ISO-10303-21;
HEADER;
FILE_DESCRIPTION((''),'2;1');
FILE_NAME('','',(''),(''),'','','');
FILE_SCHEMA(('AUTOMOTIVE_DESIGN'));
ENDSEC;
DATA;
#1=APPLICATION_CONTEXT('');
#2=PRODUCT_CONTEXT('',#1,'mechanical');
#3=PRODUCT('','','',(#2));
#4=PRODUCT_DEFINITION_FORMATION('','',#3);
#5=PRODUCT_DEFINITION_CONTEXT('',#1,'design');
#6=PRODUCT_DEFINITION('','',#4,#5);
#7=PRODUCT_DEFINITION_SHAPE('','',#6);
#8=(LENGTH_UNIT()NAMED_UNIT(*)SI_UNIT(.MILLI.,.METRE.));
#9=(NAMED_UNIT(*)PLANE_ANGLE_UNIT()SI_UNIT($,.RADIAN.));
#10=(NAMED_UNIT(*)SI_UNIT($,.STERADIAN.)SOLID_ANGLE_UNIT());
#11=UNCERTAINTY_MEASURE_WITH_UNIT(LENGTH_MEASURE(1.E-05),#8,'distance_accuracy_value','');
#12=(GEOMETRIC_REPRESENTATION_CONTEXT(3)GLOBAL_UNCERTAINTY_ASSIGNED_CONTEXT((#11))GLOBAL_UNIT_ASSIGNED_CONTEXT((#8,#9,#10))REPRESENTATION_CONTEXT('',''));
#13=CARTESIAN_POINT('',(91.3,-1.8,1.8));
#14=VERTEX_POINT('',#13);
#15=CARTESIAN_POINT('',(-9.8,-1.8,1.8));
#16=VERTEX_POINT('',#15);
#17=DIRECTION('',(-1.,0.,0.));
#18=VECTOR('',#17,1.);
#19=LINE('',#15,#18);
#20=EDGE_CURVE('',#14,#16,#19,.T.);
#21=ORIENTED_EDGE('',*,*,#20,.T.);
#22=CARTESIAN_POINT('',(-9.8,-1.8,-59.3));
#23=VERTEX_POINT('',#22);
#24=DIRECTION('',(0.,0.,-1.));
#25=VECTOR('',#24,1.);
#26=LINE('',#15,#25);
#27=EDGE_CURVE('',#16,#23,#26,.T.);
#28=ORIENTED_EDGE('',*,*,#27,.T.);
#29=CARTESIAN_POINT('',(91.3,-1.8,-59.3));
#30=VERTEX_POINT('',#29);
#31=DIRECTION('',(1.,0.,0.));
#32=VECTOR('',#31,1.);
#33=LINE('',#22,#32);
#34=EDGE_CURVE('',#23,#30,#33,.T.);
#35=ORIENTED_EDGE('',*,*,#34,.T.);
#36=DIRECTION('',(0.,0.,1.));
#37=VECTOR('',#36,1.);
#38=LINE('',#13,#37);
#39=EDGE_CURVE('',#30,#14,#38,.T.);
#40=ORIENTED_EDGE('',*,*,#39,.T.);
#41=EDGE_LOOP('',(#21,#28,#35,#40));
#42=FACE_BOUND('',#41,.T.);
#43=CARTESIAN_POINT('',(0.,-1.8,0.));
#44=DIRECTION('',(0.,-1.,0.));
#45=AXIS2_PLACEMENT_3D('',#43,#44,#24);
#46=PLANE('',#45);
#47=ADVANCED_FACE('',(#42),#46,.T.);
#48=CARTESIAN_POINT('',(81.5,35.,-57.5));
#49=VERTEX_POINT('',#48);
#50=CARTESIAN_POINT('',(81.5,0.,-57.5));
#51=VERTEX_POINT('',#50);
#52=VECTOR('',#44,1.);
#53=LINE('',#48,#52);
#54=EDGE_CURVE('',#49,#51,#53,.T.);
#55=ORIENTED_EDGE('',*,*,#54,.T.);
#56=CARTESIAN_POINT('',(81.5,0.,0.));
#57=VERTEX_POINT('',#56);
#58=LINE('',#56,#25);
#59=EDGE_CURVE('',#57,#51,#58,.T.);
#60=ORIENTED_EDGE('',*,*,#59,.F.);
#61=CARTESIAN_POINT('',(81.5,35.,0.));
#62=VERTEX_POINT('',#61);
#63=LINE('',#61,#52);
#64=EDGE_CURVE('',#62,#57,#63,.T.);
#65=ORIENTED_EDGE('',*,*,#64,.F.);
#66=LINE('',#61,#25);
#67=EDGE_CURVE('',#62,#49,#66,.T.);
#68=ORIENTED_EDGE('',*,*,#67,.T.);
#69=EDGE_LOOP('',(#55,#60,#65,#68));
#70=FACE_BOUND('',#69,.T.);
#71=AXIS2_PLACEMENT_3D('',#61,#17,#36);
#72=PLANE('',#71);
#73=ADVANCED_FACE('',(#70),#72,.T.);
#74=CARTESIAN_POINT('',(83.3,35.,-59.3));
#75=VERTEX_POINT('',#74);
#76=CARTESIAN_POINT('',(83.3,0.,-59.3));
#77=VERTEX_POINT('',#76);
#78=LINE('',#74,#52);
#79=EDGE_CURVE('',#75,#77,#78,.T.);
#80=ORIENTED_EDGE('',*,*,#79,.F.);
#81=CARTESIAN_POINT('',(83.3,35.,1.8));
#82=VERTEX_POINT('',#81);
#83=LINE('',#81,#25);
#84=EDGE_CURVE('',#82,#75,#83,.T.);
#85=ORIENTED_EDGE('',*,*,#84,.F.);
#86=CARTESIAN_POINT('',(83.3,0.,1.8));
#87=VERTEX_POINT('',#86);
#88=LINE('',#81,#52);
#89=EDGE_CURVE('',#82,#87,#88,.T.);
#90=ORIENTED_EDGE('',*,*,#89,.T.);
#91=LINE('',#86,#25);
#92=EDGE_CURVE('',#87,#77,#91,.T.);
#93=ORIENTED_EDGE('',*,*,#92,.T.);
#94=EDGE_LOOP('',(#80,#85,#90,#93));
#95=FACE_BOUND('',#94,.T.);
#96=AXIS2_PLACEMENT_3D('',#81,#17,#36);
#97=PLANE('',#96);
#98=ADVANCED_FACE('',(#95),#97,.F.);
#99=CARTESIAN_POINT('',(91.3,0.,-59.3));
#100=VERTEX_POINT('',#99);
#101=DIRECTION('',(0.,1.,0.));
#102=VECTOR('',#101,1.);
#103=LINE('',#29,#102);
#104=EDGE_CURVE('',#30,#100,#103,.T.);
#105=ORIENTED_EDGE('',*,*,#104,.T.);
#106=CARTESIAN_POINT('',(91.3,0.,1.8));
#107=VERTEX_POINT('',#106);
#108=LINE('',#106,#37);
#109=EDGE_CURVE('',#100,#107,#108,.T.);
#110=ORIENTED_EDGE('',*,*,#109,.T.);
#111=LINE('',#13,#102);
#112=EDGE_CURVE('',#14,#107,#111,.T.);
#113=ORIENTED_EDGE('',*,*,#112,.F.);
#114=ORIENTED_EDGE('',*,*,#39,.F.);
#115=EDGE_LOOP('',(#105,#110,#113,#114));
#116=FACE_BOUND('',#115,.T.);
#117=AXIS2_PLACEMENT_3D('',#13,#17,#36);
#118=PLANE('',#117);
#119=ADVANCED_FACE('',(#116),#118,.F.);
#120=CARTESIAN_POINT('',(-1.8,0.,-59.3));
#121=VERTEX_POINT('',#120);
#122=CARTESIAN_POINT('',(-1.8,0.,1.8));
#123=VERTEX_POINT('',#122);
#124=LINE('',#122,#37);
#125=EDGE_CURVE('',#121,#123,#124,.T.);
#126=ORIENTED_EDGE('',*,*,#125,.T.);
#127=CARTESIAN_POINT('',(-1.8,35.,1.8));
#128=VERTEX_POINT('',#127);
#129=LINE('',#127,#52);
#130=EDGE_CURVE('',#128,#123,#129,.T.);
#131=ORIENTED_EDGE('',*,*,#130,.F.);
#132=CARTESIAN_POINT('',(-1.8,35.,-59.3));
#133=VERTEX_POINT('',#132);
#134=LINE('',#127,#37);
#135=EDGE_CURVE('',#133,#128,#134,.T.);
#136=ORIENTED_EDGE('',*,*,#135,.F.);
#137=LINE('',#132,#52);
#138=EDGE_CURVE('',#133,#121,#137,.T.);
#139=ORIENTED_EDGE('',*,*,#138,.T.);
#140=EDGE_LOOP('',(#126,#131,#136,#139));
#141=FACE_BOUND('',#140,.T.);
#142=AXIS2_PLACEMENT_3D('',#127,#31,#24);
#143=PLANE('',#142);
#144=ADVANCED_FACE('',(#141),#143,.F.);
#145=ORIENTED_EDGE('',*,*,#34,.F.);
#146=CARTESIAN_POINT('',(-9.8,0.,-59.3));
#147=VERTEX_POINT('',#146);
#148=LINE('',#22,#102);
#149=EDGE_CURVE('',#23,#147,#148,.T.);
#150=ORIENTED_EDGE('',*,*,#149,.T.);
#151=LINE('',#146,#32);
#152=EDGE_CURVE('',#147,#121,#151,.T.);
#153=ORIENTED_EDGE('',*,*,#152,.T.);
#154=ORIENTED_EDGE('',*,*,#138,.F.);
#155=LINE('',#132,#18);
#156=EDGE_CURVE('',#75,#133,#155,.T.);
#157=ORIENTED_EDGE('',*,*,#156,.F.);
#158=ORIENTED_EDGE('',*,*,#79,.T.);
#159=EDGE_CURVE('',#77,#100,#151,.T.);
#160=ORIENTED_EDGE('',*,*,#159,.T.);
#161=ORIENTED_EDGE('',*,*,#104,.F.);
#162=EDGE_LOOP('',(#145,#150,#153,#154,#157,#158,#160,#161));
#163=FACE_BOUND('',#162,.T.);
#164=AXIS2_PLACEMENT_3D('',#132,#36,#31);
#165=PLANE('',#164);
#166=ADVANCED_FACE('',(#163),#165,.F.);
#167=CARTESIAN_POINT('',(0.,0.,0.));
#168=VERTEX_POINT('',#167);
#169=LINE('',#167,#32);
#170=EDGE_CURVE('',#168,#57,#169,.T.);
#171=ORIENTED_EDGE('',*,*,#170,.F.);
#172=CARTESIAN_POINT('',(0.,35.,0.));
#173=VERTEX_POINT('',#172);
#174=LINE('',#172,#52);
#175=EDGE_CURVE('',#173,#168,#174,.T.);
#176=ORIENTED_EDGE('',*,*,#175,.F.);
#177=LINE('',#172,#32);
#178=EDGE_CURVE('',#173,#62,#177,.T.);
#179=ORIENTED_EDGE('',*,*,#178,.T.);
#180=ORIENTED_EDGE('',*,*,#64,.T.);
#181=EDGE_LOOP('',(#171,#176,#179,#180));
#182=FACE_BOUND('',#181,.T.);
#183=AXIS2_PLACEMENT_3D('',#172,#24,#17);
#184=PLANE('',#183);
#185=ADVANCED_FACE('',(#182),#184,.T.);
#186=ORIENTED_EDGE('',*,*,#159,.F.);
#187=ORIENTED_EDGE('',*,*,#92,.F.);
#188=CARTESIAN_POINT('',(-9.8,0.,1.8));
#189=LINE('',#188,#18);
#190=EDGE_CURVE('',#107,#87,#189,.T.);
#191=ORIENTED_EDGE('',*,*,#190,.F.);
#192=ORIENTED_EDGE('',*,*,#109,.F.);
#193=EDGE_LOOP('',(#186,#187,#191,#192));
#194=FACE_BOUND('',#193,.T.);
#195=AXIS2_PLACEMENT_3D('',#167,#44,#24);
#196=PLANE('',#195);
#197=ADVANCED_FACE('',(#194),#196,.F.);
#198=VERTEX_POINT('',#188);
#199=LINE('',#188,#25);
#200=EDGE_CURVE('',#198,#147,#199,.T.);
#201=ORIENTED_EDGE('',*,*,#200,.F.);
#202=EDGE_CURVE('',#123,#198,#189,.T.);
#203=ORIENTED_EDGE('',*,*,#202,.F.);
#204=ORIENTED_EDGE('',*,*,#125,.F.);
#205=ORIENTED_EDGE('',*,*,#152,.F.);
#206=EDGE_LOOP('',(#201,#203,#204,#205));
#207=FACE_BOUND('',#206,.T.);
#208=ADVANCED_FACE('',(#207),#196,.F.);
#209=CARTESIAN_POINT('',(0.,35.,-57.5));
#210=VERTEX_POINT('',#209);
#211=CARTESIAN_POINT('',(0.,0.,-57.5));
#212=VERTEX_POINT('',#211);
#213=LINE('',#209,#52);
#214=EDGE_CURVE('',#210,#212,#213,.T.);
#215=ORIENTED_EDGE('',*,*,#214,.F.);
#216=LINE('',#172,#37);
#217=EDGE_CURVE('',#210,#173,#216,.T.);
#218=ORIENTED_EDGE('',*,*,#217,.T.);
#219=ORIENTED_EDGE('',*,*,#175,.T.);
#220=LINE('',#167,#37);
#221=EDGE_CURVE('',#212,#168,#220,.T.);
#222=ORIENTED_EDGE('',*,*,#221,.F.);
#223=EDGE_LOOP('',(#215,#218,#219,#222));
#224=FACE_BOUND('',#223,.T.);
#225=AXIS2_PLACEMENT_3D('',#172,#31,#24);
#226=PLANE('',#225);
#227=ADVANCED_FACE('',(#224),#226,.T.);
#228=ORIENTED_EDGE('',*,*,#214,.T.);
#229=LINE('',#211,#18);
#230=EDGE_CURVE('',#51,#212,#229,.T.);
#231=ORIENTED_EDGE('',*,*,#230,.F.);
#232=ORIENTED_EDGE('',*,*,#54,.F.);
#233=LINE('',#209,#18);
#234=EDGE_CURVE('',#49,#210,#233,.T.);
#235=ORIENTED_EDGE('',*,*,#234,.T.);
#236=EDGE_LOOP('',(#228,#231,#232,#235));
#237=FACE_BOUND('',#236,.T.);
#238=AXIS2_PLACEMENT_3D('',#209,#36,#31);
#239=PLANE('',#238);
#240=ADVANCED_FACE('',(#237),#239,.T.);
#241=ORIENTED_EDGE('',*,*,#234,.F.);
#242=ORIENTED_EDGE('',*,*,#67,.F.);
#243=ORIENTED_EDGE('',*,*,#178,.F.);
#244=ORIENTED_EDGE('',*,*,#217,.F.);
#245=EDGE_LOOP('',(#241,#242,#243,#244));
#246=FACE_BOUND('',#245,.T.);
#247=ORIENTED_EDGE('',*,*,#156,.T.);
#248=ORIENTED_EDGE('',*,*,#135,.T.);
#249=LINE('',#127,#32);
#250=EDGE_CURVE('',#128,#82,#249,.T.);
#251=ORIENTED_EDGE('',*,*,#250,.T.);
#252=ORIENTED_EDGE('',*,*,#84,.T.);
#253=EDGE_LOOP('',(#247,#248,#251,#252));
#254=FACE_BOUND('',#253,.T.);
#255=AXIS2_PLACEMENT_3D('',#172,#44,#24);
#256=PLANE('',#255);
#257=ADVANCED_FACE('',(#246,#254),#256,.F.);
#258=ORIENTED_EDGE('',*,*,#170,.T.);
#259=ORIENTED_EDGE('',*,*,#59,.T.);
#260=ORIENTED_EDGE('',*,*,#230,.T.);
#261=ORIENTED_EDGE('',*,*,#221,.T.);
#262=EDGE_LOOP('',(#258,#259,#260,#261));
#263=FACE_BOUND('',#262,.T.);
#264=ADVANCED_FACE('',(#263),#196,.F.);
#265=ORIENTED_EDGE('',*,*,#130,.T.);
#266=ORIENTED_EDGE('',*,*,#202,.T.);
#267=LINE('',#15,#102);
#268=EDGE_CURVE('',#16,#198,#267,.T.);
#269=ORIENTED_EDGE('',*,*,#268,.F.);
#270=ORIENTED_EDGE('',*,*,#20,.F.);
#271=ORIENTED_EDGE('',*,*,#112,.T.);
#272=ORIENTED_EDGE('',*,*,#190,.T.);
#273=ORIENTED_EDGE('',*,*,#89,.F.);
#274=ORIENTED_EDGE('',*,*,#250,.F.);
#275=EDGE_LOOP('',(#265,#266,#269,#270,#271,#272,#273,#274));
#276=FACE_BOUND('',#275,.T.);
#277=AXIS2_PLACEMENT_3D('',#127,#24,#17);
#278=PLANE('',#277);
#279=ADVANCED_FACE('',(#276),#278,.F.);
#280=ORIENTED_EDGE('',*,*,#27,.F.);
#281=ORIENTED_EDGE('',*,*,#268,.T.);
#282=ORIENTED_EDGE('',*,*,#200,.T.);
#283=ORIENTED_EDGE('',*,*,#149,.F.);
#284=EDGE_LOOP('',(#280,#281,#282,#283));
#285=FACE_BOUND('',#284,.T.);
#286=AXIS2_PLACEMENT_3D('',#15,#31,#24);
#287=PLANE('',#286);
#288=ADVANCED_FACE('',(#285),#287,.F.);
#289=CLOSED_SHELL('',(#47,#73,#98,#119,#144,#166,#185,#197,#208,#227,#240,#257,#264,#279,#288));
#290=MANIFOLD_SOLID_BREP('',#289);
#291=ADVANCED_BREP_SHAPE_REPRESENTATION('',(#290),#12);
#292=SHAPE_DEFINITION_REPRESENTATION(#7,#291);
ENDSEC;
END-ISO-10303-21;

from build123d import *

# Parameters (mm, degrees)
SKICA1_W                = 85.1
SKICA1_H                = 61.1
SKICA1_W_2              = 81.5
SKICA1_H_2              = 57.5
P_IDAT_VYSUNUT_M1_DEPTH = 35
SKICA2_W                = 101.1
SKICA2_H                = 61.1
P_IDAT_VYSUNUT_M2_DEPTH = 1.8


with BuildPart() as part:
    # Skica1 → Přidat vysunutím1 (new body)
    with BuildSketch(Plane(origin=(0, 0, 0), x_dir=(1, 0, 0), z_dir=(0, 1, 0))):
        with Locations((40.75, 28.75)):
            Rectangle(SKICA1_W, SKICA1_H)
        with Locations((40.75, 28.75)):
            Rectangle(SKICA1_W_2, SKICA1_H_2, mode=Mode.SUBTRACT)
    extrude(amount=P_IDAT_VYSUNUT_M1_DEPTH)

    # Skica2 → Přidat vysunutím2 (add)
    with BuildSketch(Plane.XZ):
        with Locations((40.75, -28.75)):
            Rectangle(SKICA2_W, SKICA2_H)
    extrude(amount=P_IDAT_VYSUNUT_M2_DEPTH)


solid = part.part
